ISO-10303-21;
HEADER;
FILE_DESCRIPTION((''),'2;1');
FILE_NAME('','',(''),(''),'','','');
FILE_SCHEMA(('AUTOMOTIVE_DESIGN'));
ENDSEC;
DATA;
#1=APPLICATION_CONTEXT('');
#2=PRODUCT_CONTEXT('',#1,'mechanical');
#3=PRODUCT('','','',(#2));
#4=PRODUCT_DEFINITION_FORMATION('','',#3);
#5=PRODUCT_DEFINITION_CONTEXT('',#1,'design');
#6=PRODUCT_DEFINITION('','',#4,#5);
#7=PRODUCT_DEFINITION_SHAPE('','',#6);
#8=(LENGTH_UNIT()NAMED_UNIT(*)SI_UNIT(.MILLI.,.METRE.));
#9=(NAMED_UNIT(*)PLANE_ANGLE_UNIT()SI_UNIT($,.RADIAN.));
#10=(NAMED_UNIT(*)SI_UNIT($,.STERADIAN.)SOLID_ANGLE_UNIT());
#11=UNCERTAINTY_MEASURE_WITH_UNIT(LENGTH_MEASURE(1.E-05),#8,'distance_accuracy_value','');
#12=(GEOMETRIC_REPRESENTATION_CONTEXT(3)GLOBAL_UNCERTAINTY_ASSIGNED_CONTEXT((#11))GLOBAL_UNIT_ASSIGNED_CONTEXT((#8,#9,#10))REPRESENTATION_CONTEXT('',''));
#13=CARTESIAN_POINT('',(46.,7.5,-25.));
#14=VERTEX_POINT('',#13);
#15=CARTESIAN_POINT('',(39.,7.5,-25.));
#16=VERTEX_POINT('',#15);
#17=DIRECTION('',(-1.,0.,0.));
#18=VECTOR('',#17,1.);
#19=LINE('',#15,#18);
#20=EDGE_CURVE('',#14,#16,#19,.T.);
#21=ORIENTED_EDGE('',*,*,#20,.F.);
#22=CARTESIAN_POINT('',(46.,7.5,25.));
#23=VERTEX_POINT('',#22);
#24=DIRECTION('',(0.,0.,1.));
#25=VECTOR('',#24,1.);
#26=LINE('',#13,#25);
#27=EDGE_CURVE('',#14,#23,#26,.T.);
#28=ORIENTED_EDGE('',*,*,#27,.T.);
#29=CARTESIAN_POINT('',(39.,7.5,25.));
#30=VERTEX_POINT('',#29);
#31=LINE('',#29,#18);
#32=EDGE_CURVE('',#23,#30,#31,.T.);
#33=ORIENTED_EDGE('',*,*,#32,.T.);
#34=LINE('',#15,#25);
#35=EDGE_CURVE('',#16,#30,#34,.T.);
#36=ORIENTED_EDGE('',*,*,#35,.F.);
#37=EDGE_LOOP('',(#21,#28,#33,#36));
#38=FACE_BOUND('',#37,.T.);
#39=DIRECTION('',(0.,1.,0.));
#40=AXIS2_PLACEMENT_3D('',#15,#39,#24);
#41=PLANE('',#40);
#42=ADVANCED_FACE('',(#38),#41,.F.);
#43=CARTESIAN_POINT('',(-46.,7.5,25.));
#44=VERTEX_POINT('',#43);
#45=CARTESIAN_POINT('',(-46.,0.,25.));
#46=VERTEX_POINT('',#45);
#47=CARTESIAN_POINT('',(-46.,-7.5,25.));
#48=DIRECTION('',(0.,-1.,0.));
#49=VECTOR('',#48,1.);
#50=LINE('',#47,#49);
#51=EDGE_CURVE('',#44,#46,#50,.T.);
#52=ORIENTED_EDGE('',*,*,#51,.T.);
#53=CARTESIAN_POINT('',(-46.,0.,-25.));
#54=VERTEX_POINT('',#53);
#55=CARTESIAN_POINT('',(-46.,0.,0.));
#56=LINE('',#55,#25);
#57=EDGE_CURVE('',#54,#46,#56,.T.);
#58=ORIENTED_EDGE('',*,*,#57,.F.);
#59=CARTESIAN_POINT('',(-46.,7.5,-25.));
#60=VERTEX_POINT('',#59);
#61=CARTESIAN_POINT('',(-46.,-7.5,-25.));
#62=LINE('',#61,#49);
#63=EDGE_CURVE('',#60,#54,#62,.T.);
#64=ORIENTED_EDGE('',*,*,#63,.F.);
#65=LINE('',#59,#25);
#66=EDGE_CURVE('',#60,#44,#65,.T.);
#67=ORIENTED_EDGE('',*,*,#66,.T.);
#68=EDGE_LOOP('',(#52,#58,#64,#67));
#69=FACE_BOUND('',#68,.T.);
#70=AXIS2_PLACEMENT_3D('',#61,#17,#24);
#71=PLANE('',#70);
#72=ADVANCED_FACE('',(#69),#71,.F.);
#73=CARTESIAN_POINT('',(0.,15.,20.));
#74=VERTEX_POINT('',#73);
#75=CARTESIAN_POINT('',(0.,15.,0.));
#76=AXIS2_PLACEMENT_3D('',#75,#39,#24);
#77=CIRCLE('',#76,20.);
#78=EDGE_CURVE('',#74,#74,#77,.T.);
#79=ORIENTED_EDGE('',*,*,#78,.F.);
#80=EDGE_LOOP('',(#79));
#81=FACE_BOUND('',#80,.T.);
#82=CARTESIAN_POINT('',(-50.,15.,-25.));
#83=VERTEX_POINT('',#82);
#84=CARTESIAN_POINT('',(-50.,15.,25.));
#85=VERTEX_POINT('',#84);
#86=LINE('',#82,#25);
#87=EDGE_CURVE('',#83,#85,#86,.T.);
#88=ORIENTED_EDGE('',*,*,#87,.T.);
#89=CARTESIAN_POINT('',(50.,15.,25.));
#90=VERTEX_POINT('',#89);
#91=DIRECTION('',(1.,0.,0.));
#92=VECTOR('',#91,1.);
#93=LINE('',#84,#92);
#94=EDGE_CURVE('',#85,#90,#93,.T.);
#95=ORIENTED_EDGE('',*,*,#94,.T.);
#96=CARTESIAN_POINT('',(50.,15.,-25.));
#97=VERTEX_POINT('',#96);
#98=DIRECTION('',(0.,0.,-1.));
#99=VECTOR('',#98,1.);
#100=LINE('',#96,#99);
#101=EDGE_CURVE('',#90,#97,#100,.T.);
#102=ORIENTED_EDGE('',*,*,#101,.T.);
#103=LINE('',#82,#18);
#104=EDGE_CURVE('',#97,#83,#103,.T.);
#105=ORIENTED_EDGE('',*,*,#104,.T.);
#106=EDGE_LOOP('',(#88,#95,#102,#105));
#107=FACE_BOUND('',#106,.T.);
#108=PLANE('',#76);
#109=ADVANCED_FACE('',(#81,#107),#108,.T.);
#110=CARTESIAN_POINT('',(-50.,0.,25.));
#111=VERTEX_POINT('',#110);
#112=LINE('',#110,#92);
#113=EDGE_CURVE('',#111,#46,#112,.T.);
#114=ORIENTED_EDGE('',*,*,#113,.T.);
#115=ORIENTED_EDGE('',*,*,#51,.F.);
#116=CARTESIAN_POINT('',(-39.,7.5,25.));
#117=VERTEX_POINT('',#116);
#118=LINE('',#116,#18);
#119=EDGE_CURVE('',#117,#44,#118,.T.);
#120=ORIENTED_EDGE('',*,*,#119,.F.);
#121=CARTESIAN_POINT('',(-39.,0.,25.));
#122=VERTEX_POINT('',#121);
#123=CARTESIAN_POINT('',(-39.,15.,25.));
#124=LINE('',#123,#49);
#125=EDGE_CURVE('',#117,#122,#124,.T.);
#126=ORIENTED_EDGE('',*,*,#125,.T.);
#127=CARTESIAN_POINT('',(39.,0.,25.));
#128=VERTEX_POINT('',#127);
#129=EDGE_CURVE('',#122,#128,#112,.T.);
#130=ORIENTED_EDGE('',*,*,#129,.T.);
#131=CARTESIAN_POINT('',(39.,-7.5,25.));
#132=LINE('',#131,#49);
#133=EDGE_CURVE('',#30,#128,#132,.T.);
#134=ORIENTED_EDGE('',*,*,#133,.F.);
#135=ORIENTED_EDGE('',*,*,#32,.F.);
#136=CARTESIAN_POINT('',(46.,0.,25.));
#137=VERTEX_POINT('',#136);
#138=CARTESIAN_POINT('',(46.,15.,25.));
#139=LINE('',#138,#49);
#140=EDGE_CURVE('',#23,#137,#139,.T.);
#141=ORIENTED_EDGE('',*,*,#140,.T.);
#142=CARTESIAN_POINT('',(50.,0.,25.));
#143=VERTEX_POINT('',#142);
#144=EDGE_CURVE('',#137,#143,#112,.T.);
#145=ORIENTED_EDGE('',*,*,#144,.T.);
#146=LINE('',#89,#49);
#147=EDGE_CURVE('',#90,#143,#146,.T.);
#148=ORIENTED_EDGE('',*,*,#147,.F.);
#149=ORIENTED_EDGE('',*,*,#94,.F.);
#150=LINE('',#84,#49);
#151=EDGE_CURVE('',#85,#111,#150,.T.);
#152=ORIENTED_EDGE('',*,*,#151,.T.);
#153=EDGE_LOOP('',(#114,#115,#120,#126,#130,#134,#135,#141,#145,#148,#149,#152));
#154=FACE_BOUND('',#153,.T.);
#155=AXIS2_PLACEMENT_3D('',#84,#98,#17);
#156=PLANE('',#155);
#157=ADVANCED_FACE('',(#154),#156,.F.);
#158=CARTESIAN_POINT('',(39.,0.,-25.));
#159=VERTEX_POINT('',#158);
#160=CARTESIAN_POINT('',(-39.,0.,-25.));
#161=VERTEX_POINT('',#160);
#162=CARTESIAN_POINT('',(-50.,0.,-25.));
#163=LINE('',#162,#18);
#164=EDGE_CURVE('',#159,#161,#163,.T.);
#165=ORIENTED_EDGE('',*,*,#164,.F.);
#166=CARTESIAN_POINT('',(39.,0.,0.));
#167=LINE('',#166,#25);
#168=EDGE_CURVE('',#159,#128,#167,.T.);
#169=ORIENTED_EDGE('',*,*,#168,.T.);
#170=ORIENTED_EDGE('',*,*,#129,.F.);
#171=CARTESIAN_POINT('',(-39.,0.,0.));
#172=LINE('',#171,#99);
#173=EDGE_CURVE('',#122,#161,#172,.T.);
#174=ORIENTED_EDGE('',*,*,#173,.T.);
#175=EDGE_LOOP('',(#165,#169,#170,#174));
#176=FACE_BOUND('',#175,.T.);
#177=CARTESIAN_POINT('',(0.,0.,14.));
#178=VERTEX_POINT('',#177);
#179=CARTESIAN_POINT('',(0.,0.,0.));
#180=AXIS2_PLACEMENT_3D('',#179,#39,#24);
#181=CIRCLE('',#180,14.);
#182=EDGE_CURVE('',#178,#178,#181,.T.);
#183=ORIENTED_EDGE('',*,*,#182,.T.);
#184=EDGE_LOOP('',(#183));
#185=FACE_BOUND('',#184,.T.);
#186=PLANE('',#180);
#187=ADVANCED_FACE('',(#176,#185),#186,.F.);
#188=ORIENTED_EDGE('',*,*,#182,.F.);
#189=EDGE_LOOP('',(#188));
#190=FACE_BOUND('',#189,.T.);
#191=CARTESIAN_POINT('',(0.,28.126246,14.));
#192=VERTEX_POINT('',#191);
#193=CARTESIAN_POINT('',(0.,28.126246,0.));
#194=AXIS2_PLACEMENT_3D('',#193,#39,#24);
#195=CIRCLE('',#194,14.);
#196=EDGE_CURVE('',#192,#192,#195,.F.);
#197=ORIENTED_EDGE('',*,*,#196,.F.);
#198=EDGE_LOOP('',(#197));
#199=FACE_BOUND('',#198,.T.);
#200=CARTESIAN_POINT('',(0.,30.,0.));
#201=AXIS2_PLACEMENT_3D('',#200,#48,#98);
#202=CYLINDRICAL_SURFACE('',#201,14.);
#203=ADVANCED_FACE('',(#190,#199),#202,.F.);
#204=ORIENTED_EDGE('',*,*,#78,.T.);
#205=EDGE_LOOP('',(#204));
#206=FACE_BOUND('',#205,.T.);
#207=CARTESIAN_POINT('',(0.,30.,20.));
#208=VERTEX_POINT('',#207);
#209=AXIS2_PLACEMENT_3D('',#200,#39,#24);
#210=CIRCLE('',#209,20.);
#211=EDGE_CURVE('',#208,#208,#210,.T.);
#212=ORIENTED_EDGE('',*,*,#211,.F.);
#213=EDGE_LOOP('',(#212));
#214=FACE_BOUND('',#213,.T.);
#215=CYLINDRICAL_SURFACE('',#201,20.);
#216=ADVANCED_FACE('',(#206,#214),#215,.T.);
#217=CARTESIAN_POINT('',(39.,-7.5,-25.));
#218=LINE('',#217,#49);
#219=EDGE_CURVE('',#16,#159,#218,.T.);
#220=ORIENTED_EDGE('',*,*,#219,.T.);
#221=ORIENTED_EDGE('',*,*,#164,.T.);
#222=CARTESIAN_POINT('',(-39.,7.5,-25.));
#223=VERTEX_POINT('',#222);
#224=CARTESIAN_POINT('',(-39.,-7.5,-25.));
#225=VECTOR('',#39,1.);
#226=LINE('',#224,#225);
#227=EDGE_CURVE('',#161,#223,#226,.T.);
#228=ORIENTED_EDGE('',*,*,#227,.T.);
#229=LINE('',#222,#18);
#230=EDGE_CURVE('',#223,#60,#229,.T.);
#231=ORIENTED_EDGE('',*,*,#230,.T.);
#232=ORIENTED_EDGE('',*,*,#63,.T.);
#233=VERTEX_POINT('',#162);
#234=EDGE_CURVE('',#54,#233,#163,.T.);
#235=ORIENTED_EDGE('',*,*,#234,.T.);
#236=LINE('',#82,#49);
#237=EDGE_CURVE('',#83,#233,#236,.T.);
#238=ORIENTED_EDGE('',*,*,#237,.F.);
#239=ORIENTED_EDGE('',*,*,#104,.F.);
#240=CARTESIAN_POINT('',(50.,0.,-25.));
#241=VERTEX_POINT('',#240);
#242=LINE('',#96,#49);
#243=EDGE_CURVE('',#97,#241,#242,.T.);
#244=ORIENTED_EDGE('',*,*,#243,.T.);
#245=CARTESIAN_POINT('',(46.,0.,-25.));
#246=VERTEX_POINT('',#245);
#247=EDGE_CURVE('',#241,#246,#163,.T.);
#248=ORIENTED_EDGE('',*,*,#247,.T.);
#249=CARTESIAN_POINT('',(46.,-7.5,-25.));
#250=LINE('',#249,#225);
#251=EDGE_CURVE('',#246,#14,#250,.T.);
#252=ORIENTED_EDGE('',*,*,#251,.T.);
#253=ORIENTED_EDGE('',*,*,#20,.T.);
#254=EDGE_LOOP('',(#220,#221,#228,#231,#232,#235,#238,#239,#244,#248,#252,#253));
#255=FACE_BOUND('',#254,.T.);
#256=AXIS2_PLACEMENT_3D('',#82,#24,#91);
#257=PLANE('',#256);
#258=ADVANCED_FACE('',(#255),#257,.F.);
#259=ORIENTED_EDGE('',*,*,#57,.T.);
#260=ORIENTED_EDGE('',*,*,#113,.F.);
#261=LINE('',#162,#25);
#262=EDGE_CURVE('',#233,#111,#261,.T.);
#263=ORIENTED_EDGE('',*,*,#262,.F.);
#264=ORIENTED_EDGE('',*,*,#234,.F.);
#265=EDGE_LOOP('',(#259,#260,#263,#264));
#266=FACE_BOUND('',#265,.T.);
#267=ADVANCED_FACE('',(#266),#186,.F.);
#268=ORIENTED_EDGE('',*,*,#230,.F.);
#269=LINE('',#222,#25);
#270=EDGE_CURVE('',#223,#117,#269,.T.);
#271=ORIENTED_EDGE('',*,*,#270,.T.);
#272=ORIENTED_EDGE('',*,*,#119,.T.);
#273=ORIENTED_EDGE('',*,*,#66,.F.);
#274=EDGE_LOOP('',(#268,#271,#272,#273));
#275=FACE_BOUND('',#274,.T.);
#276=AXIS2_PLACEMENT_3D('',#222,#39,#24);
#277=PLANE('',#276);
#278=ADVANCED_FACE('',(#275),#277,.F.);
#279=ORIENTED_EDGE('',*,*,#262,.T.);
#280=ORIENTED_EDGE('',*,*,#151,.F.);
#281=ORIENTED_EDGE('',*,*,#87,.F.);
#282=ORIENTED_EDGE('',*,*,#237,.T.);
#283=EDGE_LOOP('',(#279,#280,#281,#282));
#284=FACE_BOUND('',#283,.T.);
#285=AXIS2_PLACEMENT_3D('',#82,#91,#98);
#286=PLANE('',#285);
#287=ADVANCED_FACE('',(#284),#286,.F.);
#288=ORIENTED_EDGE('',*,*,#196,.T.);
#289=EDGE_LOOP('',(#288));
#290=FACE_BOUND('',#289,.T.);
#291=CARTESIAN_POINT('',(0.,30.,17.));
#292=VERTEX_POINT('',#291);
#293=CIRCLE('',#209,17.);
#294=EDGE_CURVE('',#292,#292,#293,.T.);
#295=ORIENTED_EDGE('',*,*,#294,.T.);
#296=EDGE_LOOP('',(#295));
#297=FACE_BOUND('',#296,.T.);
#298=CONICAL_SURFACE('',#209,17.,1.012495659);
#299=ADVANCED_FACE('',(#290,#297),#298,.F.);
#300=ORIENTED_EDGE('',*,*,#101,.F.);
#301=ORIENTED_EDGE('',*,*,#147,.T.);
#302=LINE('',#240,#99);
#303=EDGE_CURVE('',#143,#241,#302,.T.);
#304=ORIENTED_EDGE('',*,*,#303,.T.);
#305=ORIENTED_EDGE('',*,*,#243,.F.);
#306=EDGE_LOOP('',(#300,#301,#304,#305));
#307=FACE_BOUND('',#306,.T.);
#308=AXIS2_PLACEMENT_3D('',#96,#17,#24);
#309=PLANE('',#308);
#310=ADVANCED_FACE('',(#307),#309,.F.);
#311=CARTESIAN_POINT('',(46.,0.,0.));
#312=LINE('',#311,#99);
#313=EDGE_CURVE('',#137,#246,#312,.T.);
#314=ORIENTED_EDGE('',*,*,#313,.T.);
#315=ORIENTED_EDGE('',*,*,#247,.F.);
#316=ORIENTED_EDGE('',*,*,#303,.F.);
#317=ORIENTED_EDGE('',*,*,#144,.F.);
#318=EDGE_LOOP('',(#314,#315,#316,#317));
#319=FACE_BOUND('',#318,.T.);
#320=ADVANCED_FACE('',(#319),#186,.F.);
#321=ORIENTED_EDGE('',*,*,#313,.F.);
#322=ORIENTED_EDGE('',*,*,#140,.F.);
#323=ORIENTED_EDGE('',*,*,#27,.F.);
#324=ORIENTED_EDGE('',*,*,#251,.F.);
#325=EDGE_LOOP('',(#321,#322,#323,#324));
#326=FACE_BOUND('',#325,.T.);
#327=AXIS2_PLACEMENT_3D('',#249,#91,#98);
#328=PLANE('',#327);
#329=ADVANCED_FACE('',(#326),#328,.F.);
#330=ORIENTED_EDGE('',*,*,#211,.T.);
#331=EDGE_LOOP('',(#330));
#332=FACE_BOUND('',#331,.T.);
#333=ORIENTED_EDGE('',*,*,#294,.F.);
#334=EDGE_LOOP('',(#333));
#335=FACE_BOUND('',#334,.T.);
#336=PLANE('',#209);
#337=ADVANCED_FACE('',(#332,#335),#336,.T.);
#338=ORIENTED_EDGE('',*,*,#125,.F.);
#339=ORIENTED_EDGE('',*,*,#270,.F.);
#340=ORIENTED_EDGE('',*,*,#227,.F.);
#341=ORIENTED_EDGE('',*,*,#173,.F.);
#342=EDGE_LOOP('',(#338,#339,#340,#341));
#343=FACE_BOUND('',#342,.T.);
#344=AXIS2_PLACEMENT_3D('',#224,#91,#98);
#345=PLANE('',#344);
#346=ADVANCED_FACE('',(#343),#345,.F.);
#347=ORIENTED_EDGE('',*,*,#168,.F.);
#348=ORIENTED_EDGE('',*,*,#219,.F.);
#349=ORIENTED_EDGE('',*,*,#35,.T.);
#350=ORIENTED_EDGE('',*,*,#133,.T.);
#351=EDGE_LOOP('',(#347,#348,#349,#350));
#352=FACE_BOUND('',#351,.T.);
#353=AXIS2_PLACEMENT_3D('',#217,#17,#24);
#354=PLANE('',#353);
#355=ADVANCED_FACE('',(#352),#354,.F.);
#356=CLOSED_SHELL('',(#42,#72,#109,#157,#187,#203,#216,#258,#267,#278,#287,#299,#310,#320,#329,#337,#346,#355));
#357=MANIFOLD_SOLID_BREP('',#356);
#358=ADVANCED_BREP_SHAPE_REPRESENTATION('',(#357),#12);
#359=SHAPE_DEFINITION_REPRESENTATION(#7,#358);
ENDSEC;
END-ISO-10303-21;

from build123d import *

# Parameters (mm, degrees)
SKETCH1_R               = 20
SKETCH1_R_2             = 14
BOSS_EXTRUDE1_DEPTH     = 30
SKETCH3_W               = 17
SKETCH3_H               = 4.747307011
SKETCH4_W               = 100
SKETCH4_H               = 50
SKETCH4_R               = 14
BOSS_EXTRUDE2_DEPTH     = 15
CUT_EXTRUDE2_DEPTH      = 64.442887702
CUT_EXTRUDE2_DEPTH_BACK = 64.442887702
SKETCH5_W               = 7
SKETCH5_H               = 15


with BuildPart() as part:
    # Sketch1 → Boss-Extrude1 (new body)
    with BuildSketch(Plane(origin=(0, 0, 0), x_dir=(1, 0, 0), z_dir=(0, 1, 0))):
        with Locations(Location((0, 0, 0), (0, 0, 270))):
            Circle(SKETCH1_R)
        with Locations(Location((0, 0, 0), (0, 0, 270))):
            Circle(SKETCH1_R_2, mode=Mode.SUBTRACT)
    extrude(amount=BOSS_EXTRUDE1_DEPTH)

    # Sketch3 → Cut-Revolve2 (revolve, cut)
    with BuildSketch(Plane.XY, mode=Mode.PRIVATE) as cut_revolve2_sk:
        Polygon((-17, 30), (-0.03686902, 19.405086722), (0, 30), align=None)
        with Locations((-8.5, 32.373653506)):
            Rectangle(SKETCH3_W, SKETCH3_H)
    revolve(cut_revolve2_sk.sketch.rotate(Axis((0, 34.747307011, 0), (0, -1, 0)), 270), axis=Axis((0, 34.747307011, 0), (0, -1, 0)), mode=Mode.SUBTRACT)

    # Sketch4 → Boss-Extrude2 (add)
    with BuildSketch(Plane(origin=(0, 0, 0), x_dir=(1, 0, 0), z_dir=(0, 1, 0))):
        Rectangle(SKETCH4_W, SKETCH4_H)
        with Locations(Location((0, 0, 0), (0, 0, 270))):
            Circle(SKETCH4_R, mode=Mode.SUBTRACT)
    extrude(amount=BOSS_EXTRUDE2_DEPTH)

    # Sketch5 → Cut-Extrude2 (cut, two sides: drawn at the far end of the back side and taken through both)
    with BuildSketch(Plane.XY.offset(-CUT_EXTRUDE2_DEPTH_BACK)):
        with Locations((-42.5, 0)):
            Rectangle(SKETCH5_W, SKETCH5_H)
        with Locations((42.5, 0)):
            Rectangle(SKETCH5_W, SKETCH5_H)
    extrude(amount=CUT_EXTRUDE2_DEPTH + CUT_EXTRUDE2_DEPTH_BACK, mode=Mode.SUBTRACT)


solid = part.part
